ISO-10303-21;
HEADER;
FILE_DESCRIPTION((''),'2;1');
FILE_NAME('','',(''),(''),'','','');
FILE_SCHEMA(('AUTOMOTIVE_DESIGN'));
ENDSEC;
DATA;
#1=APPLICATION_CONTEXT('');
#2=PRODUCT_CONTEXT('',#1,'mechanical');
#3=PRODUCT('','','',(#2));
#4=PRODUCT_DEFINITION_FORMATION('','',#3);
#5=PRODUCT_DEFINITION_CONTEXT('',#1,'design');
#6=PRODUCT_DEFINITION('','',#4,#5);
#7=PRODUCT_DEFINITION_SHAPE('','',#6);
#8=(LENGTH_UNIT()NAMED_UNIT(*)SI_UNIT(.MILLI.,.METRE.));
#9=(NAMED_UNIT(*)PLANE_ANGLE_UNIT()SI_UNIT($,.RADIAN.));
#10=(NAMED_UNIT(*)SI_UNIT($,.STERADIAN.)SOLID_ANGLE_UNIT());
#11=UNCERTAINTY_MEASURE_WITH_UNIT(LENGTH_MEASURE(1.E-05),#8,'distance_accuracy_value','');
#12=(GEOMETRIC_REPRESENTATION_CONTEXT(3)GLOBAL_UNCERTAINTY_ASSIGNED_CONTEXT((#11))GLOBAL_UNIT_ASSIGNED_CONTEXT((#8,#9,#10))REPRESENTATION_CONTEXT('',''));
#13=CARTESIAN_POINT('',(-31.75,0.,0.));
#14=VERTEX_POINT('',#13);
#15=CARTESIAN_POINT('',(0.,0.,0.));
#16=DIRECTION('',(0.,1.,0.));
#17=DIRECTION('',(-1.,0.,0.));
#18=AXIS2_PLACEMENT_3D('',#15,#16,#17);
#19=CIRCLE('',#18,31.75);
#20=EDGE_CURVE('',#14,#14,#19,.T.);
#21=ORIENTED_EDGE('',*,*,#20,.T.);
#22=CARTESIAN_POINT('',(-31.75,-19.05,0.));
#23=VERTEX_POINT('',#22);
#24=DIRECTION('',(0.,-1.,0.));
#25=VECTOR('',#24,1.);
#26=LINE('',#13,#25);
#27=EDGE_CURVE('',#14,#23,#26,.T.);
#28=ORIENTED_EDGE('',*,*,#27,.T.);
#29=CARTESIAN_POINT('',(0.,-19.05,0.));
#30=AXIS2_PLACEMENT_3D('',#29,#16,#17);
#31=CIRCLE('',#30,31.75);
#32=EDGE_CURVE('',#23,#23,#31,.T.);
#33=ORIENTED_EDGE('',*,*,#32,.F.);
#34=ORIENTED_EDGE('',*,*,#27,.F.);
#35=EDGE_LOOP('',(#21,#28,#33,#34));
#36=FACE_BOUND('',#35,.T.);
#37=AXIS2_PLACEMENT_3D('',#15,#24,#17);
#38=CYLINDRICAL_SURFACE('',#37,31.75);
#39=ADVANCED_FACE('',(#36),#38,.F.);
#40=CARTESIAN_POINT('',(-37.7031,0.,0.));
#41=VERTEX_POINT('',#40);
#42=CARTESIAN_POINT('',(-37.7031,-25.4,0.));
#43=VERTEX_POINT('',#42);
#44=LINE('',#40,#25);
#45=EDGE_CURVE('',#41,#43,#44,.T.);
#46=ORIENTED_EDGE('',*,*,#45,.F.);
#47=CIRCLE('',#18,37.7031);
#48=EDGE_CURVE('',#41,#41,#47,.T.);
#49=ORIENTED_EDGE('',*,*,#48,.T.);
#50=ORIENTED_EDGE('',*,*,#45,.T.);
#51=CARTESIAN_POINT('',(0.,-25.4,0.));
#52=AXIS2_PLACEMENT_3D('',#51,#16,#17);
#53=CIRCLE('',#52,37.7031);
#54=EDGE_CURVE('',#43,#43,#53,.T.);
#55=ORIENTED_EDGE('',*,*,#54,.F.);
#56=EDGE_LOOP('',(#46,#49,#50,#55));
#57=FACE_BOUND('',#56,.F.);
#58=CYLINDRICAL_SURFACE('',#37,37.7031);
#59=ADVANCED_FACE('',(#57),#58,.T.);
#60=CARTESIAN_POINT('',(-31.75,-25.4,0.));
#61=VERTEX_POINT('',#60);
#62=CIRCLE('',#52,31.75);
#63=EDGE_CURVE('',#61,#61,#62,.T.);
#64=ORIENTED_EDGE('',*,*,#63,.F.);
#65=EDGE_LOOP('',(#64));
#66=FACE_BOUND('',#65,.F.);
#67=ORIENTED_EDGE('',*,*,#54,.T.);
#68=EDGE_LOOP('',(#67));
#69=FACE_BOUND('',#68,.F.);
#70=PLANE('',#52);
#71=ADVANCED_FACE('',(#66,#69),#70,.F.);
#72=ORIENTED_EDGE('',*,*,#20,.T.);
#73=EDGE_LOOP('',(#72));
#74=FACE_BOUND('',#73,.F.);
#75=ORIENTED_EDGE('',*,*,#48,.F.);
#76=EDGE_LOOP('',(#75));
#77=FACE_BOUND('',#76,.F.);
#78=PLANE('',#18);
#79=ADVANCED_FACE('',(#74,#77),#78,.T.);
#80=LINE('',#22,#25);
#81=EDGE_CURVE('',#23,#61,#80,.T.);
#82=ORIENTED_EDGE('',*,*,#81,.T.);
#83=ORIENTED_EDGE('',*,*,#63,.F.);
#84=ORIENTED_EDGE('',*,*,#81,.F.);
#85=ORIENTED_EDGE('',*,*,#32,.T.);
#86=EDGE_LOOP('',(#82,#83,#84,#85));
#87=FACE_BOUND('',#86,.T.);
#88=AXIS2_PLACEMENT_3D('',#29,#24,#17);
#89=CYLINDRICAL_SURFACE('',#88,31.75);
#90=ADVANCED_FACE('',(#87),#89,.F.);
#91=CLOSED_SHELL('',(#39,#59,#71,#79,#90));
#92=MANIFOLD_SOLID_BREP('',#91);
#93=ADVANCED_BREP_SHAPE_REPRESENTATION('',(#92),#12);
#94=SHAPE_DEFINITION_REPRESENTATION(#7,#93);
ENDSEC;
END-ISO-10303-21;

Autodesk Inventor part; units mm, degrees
ref_plane "YZ Plane" through (0, 0, 0) normal (1, 0, 0) x (0, 1, 0)
ref_plane "XZ Plane" through (0, 0, 0) normal (0, 1, 0) x (-1, 0, 0)
ref_plane "XY Plane" through (0, 0, 0) normal (0, 0, 1) x (1, 0, 0)
sketch "Sketch1" plane through (0, 0, 0) normal (0, 0, 1) x (1, 0, 0)
  line L0 (0, 0) -> (-39.6875, 0)
  line L1 (0, 0) -> (0, 127)
  arc A0 (0, 127) -> (-39.6875, 0) centre (313.5764, -40.6938) ccw
  line L2 (0, 0) -> (-37.7031, 0)
  line L3 (-37.7031, 0) -> (-37.7031, -25.4)
  line L4 (-37.7031, -25.4) -> (0, -25.4)
  line L5 (0, -25.4) -> (0, 0)
  line L6 (0, 63.5) -> (-26.4163, 63.5)
  line L7 (-20.0663, 63.5) -> (0, 63.5)
  line L8 (0, 63.5) -> (0, 44.45)
  line L9 (0, 44.45) -> (-20.0663, 44.45)
  line L10 (-20.0663, 44.45) -> (-20.0663, 63.5)
  line L11 (-20.0663, 44.45) -> (-20.0663, 0)
  line L12 (-20.0663, 0) -> (-31.75, 0)
  line L13 (-31.75, 0) -> (-31.75, -19.05)
  line L14 (-31.75, -19.05) -> (-20.0663, -19.05)
  line L15 (-20.0663, -19.05) -> (-20.0663, 0)
  line L16 (-31.75, -19.05) -> (-31.75, -25.4)
  dimension "d0" = 39.6875
  dimension "d1" = 127
  dimension "d3" = 355.6
  dimension "d5" = 37.7031
  dimension "d6" = 25.4
  dimension "d7" = 63.5
  dimension "d9" = 19.05
  dimension "d10" = 6.35
  dimension "d11" = 19.05
  dimension "d12" = 5.9531
revolve "Revolution1" add sketch "Sketch1" angle 360 about axis through (0, 0, 0) along (0, 1, 0) contours L13 L16 L4 L3 L0
properties part number "NoseCone_S3"
